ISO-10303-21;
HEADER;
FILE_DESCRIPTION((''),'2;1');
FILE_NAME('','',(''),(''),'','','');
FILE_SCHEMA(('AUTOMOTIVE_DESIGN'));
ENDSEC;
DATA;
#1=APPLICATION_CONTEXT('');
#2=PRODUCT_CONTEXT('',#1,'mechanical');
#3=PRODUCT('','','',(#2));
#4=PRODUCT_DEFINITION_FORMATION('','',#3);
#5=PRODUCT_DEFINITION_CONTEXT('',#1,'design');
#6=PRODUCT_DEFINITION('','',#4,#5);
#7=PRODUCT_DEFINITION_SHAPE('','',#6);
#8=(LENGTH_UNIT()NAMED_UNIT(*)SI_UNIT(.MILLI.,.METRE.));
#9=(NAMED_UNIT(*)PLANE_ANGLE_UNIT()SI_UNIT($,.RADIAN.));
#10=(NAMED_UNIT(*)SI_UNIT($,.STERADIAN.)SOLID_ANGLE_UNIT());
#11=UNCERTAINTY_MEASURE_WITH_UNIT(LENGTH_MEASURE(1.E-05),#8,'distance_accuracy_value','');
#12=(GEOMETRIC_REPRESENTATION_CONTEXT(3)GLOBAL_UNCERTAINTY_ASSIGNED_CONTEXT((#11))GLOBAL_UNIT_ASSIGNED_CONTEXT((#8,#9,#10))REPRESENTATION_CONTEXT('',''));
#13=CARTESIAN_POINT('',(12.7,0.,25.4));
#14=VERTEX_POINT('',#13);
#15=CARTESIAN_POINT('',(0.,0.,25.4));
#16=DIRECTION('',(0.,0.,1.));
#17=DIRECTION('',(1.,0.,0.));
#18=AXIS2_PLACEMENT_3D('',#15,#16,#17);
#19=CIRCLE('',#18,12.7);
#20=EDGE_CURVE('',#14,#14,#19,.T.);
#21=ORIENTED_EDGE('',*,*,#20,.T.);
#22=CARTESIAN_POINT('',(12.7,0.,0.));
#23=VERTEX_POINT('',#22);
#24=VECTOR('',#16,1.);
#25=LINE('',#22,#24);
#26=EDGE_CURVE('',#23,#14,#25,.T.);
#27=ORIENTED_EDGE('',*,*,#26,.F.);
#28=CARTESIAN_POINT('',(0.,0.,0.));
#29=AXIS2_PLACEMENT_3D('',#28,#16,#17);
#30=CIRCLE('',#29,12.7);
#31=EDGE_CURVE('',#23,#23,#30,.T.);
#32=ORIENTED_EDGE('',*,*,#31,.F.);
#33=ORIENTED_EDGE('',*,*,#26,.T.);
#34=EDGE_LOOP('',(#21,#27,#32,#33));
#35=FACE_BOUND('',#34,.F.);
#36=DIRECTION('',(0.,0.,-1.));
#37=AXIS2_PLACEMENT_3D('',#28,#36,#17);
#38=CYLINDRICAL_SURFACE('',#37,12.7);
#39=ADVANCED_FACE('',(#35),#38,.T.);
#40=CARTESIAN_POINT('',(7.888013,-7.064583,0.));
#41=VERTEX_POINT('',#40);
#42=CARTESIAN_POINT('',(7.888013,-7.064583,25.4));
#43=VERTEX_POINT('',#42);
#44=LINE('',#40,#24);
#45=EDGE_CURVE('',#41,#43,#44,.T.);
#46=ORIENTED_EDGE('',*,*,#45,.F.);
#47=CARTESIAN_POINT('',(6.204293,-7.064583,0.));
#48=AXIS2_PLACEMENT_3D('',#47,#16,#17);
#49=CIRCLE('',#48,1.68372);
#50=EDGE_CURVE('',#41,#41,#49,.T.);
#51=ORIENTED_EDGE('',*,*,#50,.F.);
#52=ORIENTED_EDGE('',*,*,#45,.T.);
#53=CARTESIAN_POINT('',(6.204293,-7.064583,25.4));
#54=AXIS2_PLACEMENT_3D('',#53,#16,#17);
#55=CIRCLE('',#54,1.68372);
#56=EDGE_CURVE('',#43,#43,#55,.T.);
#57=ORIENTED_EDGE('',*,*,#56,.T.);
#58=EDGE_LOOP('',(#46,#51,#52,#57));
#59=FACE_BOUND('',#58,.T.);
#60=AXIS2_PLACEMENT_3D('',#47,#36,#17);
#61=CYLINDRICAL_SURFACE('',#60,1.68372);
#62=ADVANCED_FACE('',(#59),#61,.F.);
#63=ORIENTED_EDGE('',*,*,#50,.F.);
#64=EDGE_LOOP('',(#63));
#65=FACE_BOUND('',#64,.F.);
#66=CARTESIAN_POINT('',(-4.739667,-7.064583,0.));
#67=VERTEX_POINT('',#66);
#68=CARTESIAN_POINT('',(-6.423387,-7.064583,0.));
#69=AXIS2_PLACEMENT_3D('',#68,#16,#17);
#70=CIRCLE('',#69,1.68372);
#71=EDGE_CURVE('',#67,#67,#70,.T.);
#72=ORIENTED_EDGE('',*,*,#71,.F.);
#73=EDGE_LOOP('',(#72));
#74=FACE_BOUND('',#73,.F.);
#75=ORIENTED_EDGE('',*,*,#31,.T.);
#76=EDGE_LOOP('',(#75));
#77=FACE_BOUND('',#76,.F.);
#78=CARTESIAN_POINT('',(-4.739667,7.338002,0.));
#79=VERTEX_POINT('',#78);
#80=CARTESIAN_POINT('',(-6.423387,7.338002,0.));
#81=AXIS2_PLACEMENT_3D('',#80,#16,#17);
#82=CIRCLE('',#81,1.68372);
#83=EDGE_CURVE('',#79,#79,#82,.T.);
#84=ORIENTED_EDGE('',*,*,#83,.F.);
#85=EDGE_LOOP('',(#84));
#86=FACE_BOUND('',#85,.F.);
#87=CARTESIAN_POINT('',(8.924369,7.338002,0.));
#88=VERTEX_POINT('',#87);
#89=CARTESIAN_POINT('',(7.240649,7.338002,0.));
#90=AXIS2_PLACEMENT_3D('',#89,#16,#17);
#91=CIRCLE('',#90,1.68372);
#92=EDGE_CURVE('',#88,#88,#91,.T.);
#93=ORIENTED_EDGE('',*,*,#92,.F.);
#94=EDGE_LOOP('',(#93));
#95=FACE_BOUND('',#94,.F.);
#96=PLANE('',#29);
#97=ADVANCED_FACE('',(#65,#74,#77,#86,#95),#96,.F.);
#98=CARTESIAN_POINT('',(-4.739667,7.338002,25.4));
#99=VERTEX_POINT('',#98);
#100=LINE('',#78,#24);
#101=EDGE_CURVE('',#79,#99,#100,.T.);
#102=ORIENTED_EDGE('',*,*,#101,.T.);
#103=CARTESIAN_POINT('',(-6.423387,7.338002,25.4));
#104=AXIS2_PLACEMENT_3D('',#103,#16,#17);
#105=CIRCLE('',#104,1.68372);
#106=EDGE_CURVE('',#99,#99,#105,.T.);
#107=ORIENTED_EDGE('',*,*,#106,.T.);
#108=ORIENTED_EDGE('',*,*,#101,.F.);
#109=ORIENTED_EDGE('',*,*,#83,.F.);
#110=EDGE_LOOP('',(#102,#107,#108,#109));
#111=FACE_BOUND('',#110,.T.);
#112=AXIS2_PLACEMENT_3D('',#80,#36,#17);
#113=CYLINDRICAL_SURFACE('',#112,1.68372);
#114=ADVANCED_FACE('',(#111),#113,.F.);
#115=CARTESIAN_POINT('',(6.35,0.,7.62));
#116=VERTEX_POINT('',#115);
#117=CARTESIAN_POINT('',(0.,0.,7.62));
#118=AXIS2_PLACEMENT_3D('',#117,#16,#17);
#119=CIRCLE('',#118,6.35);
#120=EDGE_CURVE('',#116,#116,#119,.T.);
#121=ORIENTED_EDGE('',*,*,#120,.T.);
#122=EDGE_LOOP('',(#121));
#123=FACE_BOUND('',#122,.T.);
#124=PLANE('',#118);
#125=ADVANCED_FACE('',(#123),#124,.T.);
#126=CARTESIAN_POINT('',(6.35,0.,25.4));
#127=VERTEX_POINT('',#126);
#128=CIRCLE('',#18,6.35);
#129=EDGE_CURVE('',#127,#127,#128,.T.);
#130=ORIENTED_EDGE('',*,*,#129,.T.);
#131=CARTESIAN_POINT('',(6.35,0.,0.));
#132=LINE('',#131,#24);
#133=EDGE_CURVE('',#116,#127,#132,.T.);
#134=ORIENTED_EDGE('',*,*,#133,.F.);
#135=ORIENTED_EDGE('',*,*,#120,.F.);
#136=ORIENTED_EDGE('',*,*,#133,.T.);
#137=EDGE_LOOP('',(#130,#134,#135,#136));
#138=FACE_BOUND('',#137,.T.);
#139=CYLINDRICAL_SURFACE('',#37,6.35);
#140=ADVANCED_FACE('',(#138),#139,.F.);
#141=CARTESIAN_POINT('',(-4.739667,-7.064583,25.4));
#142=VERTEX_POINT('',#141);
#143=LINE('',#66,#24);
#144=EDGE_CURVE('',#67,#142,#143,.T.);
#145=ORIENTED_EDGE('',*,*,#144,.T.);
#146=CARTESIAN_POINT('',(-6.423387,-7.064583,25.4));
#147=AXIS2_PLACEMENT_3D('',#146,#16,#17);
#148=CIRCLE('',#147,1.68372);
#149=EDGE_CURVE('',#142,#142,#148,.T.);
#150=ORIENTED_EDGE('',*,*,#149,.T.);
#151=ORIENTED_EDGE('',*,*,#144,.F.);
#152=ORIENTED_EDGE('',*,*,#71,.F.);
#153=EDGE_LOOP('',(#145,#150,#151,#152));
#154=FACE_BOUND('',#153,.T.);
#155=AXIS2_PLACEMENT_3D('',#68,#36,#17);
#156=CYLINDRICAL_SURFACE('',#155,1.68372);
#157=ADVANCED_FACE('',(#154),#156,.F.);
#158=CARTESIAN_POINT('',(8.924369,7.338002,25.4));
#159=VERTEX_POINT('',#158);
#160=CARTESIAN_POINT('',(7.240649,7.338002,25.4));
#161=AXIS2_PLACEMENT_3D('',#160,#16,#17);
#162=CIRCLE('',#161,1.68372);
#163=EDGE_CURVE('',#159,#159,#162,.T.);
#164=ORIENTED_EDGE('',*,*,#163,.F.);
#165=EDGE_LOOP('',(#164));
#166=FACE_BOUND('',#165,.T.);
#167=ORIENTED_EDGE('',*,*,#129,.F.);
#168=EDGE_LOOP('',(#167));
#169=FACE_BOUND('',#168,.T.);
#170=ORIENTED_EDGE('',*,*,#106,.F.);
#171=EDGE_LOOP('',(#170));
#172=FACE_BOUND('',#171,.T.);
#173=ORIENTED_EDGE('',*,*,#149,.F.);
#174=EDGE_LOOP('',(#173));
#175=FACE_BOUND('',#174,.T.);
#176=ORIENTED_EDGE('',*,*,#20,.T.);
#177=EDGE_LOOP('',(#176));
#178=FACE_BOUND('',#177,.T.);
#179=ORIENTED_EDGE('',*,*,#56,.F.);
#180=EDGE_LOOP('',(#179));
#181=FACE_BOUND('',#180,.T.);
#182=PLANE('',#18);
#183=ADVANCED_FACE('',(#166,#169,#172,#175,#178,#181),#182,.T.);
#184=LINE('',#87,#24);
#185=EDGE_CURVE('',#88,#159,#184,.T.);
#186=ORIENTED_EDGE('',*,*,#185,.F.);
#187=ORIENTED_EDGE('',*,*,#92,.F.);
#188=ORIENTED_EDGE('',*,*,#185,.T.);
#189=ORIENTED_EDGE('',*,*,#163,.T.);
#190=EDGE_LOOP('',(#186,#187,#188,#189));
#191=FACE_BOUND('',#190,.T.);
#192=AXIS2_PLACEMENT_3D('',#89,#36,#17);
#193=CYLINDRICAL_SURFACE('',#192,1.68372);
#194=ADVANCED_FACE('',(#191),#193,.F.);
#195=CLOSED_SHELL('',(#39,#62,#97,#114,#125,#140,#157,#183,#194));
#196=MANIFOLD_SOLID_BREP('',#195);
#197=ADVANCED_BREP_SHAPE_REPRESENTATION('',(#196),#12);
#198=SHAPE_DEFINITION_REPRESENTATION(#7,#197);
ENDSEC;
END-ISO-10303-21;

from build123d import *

# Parameters (mm, degrees)
F0_R     = 12.7
F0_R_2   = 1.68372
F0_R_3   = 6.35
F1_DEPTH = 25.4
F0_R_4   = 4.0005
F2_DEPTH = 7.62
F3_DEPTH = 7.62


with BuildPart() as f1:
    # F0 (on Top) → F1 (new body)
    with BuildSketch(Plane.XY):
        Circle(F0_R)
        with Locations((-6.423387, -7.064583)):
            Circle(F0_R_2, mode=Mode.SUBTRACT)
        with Locations((6.204293, -7.064583)):
            Circle(F0_R_2, mode=Mode.SUBTRACT)
        Circle(F0_R_3, mode=Mode.SUBTRACT)
        with Locations((-6.423387, 7.338002)):
            Circle(F0_R_2, mode=Mode.SUBTRACT)
        with Locations((7.240649, 7.338002)):
            Circle(F0_R_2, mode=Mode.SUBTRACT)
    extrude(amount=F1_DEPTH)

    # F0 (on Top) → F2 (join)
    with BuildSketch(Plane.XY):
        Circle(F0_R_3)
        Circle(F0_R_4, mode=Mode.SUBTRACT)
    extrude(amount=F2_DEPTH)

    # F0 (on Top) → F3 (join)
    with BuildSketch(Plane.XY):
        Circle(F0_R_4)
    extrude(amount=F3_DEPTH)


solid = f1.part
